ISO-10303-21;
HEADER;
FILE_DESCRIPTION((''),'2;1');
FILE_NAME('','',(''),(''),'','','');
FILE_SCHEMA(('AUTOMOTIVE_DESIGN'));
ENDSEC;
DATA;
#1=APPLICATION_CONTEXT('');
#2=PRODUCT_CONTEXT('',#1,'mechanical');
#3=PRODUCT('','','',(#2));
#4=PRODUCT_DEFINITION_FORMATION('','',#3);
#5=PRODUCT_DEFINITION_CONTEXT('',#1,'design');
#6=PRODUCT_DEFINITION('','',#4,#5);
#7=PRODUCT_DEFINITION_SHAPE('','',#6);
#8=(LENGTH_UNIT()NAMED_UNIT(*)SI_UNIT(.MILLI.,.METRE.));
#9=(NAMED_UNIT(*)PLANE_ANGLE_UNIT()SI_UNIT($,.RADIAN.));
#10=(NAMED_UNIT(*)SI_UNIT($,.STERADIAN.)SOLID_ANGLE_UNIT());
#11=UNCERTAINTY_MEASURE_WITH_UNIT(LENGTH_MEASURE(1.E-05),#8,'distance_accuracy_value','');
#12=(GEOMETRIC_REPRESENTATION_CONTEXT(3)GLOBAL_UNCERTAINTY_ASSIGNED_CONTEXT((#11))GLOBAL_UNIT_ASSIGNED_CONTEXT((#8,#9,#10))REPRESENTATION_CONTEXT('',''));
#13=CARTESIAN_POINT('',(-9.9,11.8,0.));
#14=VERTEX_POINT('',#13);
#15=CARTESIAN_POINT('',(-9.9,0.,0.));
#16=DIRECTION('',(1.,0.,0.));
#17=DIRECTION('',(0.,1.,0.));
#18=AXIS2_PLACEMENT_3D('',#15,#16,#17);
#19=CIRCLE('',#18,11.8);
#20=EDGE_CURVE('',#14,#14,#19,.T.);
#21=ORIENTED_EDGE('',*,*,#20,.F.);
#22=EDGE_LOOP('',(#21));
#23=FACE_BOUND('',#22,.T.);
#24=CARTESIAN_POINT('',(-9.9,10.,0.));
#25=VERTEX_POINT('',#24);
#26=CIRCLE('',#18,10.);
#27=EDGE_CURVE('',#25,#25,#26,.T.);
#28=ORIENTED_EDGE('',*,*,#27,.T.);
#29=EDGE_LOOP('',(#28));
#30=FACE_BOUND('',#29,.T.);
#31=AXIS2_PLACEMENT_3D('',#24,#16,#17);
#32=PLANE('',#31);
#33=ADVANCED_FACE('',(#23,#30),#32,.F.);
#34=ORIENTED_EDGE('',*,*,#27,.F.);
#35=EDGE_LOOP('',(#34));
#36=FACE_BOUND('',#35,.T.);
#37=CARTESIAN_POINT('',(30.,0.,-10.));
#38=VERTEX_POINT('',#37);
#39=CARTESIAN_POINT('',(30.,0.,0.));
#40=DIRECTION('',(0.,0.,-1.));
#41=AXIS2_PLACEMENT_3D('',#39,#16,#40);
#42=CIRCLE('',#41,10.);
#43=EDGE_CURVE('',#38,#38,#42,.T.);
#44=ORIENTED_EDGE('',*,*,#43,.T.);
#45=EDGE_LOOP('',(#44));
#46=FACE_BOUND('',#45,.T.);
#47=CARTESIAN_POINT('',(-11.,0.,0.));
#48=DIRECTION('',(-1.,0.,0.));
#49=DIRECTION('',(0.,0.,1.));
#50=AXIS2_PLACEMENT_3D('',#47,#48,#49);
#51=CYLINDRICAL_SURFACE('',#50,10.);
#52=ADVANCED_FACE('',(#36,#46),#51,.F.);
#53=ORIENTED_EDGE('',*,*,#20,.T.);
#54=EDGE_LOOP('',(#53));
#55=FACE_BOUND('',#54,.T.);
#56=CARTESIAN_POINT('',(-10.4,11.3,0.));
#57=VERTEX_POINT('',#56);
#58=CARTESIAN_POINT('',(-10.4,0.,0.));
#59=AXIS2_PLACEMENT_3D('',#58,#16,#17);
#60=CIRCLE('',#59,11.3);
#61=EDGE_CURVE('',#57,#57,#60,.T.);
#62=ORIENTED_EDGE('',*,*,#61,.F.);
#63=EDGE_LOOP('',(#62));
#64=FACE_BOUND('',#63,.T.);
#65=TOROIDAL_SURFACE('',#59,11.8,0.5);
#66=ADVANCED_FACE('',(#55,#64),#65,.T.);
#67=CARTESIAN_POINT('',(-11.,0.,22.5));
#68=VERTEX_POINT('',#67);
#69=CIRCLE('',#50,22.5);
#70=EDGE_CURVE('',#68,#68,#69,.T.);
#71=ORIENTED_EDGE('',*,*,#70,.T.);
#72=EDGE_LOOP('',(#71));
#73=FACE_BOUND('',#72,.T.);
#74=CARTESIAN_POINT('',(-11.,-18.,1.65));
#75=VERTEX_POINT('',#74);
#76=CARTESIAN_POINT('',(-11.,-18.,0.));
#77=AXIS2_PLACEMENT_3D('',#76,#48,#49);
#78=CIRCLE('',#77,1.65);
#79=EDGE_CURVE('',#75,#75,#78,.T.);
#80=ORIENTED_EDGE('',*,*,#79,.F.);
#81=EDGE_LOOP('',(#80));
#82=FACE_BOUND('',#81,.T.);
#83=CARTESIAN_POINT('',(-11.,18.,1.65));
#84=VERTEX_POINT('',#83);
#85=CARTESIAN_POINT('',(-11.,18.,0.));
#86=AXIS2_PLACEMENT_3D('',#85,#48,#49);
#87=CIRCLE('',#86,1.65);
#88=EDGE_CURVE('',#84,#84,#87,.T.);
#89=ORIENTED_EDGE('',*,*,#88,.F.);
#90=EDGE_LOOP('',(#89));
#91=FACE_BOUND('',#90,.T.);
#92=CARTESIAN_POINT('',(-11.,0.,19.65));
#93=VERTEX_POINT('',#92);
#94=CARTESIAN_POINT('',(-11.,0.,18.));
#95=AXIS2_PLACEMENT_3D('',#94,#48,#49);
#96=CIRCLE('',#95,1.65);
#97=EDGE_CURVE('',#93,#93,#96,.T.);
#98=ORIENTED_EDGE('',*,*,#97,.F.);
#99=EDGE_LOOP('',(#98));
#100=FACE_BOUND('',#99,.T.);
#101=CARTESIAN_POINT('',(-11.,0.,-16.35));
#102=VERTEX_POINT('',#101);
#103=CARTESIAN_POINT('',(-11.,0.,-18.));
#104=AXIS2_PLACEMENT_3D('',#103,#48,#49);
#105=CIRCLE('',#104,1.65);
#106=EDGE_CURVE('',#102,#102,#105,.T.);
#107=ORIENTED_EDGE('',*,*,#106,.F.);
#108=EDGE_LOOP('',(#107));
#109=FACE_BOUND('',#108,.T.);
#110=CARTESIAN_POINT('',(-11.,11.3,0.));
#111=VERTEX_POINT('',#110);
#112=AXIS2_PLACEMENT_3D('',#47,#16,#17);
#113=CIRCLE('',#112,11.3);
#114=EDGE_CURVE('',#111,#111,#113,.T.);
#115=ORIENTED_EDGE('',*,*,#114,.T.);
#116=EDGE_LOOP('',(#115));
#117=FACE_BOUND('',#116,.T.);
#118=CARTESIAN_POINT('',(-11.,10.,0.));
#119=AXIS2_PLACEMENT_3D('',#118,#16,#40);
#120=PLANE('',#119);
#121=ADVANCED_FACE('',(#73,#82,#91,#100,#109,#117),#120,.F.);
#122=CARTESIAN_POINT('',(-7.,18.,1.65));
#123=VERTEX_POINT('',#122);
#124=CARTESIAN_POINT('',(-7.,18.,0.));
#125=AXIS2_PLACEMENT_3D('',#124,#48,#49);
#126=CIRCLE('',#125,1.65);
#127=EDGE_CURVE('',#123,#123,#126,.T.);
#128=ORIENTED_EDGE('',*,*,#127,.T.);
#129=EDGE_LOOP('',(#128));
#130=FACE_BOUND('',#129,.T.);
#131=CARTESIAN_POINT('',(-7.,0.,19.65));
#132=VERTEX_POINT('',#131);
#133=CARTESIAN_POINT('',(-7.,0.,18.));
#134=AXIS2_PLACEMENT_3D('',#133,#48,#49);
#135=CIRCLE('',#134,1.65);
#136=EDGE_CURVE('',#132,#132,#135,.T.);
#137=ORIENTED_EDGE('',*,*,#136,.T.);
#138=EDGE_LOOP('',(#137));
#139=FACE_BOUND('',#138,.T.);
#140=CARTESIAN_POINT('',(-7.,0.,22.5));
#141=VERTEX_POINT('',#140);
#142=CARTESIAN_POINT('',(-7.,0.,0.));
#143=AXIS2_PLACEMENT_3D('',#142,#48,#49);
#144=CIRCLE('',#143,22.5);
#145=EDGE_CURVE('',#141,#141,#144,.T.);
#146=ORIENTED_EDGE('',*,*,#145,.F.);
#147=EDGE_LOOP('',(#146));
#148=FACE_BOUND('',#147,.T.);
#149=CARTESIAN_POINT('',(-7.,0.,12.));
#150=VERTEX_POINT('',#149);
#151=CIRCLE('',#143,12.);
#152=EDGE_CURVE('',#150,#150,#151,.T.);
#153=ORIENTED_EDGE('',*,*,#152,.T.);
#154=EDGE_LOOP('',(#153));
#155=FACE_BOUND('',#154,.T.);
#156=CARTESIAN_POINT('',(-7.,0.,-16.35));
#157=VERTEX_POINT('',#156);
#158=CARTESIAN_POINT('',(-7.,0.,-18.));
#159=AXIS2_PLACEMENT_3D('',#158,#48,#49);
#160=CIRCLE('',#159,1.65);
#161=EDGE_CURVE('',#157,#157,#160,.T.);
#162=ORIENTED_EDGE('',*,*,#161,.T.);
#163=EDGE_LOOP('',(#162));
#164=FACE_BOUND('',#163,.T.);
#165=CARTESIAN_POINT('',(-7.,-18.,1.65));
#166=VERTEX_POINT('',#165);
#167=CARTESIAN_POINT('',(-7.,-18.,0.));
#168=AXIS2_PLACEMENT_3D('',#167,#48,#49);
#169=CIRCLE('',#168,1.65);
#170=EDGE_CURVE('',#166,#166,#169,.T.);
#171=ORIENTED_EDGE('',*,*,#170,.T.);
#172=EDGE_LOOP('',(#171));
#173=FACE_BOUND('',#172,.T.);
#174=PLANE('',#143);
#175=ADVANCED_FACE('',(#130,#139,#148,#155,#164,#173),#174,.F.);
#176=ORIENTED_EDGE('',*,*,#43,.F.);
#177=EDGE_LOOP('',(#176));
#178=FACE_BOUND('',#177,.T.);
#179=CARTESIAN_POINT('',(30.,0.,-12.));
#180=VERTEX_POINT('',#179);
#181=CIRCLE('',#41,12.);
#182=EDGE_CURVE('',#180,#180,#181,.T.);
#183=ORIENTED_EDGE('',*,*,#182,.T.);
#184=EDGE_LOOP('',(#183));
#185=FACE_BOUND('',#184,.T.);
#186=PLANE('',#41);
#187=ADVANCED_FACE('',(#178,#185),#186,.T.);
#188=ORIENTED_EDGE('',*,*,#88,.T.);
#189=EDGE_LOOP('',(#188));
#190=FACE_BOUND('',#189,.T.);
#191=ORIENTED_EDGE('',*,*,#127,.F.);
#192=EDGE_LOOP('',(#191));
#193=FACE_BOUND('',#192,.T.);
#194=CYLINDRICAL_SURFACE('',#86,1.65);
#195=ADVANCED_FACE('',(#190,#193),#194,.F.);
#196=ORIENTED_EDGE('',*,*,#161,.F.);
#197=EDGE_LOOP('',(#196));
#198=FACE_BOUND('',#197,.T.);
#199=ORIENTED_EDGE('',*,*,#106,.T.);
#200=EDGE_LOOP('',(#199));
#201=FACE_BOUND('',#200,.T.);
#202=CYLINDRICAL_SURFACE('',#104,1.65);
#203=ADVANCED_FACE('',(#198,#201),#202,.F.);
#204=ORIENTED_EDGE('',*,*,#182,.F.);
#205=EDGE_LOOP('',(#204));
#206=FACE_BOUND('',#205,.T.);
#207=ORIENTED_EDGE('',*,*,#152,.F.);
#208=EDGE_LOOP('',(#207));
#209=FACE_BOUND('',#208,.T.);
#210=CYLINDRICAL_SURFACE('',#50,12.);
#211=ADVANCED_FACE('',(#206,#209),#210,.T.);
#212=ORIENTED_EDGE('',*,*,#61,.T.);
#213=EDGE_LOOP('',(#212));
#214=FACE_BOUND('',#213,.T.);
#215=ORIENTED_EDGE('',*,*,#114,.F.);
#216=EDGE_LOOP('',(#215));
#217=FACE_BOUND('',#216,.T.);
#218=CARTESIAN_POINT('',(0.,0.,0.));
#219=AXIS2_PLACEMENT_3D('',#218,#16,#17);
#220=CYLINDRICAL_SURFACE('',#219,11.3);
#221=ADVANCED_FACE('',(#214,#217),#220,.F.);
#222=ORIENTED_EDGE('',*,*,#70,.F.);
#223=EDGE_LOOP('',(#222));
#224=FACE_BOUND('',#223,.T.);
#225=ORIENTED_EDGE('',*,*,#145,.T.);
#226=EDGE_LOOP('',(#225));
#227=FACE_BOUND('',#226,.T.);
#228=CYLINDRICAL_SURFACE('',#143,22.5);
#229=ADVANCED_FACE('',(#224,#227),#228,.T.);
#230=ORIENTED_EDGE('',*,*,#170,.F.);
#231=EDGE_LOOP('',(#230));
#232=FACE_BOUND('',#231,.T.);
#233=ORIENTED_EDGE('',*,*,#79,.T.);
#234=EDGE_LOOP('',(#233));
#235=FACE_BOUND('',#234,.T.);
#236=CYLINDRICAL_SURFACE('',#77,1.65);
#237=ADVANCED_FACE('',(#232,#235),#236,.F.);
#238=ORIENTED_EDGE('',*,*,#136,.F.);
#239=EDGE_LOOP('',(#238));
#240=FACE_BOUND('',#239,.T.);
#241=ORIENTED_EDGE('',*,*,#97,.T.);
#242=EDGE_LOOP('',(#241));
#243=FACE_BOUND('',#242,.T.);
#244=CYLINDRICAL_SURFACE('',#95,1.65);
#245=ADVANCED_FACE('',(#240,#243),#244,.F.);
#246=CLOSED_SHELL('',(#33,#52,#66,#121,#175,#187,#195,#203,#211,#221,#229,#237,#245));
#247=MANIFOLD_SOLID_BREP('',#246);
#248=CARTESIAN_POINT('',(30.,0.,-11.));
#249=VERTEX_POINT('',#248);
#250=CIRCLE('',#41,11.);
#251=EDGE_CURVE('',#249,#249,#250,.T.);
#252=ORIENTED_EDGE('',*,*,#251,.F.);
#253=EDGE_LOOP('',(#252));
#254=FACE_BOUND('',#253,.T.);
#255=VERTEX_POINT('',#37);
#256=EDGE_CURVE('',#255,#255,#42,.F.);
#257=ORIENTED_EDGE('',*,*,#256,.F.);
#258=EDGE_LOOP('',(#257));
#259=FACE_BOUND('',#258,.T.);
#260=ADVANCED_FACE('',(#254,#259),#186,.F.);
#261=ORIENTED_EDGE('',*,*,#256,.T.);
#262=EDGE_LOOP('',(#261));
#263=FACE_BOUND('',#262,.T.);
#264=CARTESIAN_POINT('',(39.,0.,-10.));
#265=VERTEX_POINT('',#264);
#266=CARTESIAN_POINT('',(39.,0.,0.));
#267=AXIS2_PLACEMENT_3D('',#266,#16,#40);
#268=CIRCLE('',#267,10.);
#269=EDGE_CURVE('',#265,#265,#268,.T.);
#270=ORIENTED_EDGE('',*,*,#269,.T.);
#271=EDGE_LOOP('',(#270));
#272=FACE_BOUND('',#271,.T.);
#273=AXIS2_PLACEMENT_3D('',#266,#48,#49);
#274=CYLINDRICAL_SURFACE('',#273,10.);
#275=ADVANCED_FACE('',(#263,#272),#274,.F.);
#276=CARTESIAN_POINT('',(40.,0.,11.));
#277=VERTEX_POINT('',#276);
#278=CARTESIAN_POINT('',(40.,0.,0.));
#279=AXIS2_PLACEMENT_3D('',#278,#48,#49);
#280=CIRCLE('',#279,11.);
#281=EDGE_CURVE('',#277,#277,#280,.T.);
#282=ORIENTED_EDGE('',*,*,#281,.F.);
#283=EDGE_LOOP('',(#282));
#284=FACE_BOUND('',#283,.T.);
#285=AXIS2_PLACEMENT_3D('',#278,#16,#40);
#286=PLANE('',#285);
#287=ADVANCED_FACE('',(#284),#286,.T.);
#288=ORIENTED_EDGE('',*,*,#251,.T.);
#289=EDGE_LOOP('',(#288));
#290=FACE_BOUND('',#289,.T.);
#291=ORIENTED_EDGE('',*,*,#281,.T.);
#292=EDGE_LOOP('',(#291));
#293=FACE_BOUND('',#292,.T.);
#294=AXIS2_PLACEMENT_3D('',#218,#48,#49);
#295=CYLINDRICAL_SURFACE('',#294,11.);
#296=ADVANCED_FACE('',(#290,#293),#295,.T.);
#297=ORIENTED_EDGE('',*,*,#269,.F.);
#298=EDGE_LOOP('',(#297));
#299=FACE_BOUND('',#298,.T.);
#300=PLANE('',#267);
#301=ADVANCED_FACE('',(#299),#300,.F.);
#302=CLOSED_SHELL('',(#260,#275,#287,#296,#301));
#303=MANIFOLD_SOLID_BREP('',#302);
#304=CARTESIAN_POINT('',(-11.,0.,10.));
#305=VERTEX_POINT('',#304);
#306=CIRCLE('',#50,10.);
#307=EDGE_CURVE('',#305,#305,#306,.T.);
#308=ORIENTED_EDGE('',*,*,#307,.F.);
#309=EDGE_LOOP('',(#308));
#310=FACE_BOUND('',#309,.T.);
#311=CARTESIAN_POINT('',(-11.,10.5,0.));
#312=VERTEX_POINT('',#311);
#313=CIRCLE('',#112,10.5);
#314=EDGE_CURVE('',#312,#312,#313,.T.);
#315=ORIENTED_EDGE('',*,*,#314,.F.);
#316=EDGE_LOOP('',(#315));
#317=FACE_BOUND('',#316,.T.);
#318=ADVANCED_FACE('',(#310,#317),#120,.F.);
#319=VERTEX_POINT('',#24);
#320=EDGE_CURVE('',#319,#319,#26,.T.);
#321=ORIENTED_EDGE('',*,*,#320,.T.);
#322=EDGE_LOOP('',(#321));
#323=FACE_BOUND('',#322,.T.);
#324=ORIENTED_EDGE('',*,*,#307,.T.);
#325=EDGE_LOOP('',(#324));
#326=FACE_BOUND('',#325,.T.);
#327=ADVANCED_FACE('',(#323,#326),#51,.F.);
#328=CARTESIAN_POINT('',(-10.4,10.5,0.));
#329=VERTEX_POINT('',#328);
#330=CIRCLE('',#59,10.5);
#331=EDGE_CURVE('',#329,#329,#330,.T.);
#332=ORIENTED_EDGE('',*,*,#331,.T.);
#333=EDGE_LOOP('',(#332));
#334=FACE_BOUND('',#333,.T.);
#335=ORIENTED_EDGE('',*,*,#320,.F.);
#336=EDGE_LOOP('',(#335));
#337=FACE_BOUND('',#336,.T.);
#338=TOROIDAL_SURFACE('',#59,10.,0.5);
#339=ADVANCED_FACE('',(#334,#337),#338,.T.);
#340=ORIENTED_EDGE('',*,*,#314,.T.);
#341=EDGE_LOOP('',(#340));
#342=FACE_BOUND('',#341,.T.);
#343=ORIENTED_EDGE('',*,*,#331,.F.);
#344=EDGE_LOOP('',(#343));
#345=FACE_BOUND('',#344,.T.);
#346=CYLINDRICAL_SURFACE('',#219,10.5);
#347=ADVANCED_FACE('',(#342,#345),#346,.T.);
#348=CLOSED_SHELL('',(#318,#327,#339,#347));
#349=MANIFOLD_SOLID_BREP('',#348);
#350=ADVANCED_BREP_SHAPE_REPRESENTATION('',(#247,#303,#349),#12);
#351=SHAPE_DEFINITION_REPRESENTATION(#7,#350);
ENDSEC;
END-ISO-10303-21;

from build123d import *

# Parameters (mm, degrees)
SKETCH_1_W                  = 31
SKETCH_1_H                  = 2
SKETCH_6_R                  = 22.5
SKETCH_6_R_2                = 12
EXTRUDE_1_DEPTH             = 4
SKETCH_8_R                  = 12
SKETCH_8_R_2                = 10
EXTRUDE_3_DEPTH             = 10
SKETCH_9_R                  = 12
EXTRUDE_5_DEPTH             = 10
SKETCH_18_R                 = 10
CUT_EXTRUDE_1_DEPTH         = 46
SKETCH_17_W                 = 1.65
SKETCH_17_H                 = 51
HOLE_WIZARD_M4_1_AT_2_COUNT = 2
HOLE_WIZARD_M4_1_AT_2_PITCH = 25.455844123
HOLE_WIZARD_M4_1_AT_3_COUNT = 2
HOLE_WIZARD_M4_1_AT_3_PITCH = 36
HOLE_WIZARD_M4_1_AT_4_COUNT = 2
HOLE_WIZARD_M4_1_AT_4_PITCH = 25.455844123
SKETCH_12_W                 = 1
SKETCH_12_H                 = 2
SKETCH_19_R                 = 12
SKETCH_19_R_2               = 11
CUT_EXTRUDE_3_DEPTH         = 10


with BuildPart() as part:
    # 草图1 → 旋转1 (revolve)
    with BuildSketch(Plane.XY, mode=Mode.PRIVATE) as revolve_1_sk:
        with Locations((4.5, 11)):
            Rectangle(SKETCH_1_W, SKETCH_1_H)
    revolve(revolve_1_sk.sketch.rotate(Axis((-11, 0, 0), (1, 0, 0)), 90), axis=Axis((-11, 0, 0), (1, 0, 0)))

    # 草图5 → 切除-旋转1 (revolve, cut)
    with BuildSketch(Plane.XY):
        with BuildLine():
            Line((-11, 10.5), (-10.4, 10.5))
            ThreePointArc((-10.4, 10.5), (-10.046446609, 10.353553391), (-9.9, 10))
            Line((-9.9, 10), (-9.9, 11.8))
            ThreePointArc((-9.9, 11.8), (-10.046446609, 11.446446609), (-10.4, 11.3))
            Line((-10.4, 11.3), (-11, 11.3))
            Line((-11, 11.3), (-11, 10.5))
        make_face()
    revolve(axis=Axis((0, 0, 0), (-1, 0, 0)), mode=Mode.SUBTRACT)


with BuildPart() as cut_revolve_1_piece_1:
    # of the separate pieces the step leaves, piece 1, a body of its own (cut_revolve_1_pieces)
    add(part.part.solids().sort_by_distance((20, 0, 10))[0])

    # 草图6 → 凸台-拉伸1 (add)
    with BuildSketch(Plane.ZY.offset(11)):
        Circle(SKETCH_6_R)
        Circle(SKETCH_6_R_2, mode=Mode.SUBTRACT)
    extrude(amount=-EXTRUDE_1_DEPTH)

    # 草图8 → 凸台-拉伸3 (add)
    with BuildSketch(Plane(origin=(20, 0, 0), x_dir=(0, 0, -1), z_dir=(1, 0, 0))):
        with Locations(Location((0, 0, 0), (0, 0, 180))):
            Circle(SKETCH_8_R)
        with Locations(Location((0, 0, 0), (0, 0, 90))):
            Circle(SKETCH_8_R_2, mode=Mode.SUBTRACT)
    extrude(amount=EXTRUDE_3_DEPTH)

    # 草图17 → M4 螺纹孔1 (revolve, cut)
    with BuildSketch(Plane(origin=(-11, 18, 0), x_dir=(0, 0, 1), z_dir=(0, 1, 0))):
        with Locations((0.825, 25.5)):
            Rectangle(SKETCH_17_W, SKETCH_17_H)
    hole_wizard_m4_1 = revolve(axis=Axis((-17.35, 18, 0), (1, 0, 0)), mode=Mode.SUBTRACT)

    # M4 螺纹孔1 at 2: M4 螺纹孔1 ×2
    with Locations(*[Vector(0, -0.7071067811865476, 0.7071067811865476) * (i * HOLE_WIZARD_M4_1_AT_2_PITCH) for i in range(1, HOLE_WIZARD_M4_1_AT_2_COUNT)]):
        add(hole_wizard_m4_1, mode=Mode.SUBTRACT)

    # M4 螺纹孔1 at 3: M4 螺纹孔1 ×2
    with Locations(*[(0, -i * HOLE_WIZARD_M4_1_AT_3_PITCH, 0) for i in range(1, HOLE_WIZARD_M4_1_AT_3_COUNT)]):
        add(hole_wizard_m4_1, mode=Mode.SUBTRACT)

    # M4 螺纹孔1 at 4: M4 螺纹孔1 ×2
    with Locations(*[Vector(0, -0.7071067811865477, -0.7071067811865475) * (i * HOLE_WIZARD_M4_1_AT_4_PITCH) for i in range(1, HOLE_WIZARD_M4_1_AT_4_COUNT)]):
        add(hole_wizard_m4_1, mode=Mode.SUBTRACT)


with BuildPart() as cut_revolve_1_piece_2:
    # of the separate pieces the step leaves, piece 2, a body of its own (cut_revolve_1_pieces)
    add(part.part.solids().sort_by_distance((-11, 0, 10))[0])


with BuildPart() as body_3:
    # 草图9 → 凸台-拉伸5 (new body)
    with BuildSketch(Plane(origin=(30, 0, 0), x_dir=(0, 0, -1), z_dir=(1, 0, 0))):
        Circle(SKETCH_9_R)
    extrude(amount=EXTRUDE_5_DEPTH)

    # 草图18 → 切除-拉伸1 (cut)
    with BuildSketch(Plane(origin=(-7, 0, 0), x_dir=(0, 0, -1), z_dir=(1, 0, 0))):
        Circle(SKETCH_18_R)
    extrude(amount=CUT_EXTRUDE_1_DEPTH, mode=Mode.SUBTRACT)

    # 草图12 → 切除-旋转2 (revolve, cut)
    with BuildSketch(Plane.XY, mode=Mode.PRIVATE) as cut_revolve_2_sk:
        with Locations((33.5, -12)):
            Rectangle(SKETCH_12_W, SKETCH_12_H)
        with Locations((31.5, -12)):
            Rectangle(SKETCH_12_W, SKETCH_12_H)
        with Locations((35.5, -12)):
            Rectangle(SKETCH_12_W, SKETCH_12_H)
        with Locations((37.5, -12)):
            Rectangle(SKETCH_12_W, SKETCH_12_H)
        with Locations((39.5, -12)):
            Rectangle(SKETCH_12_W, SKETCH_12_H)
    revolve(cut_revolve_2_sk.sketch.rotate(Axis((0, 0, 0), (1, 0, 0)), 270), axis=Axis((0, 0, 0), (1, 0, 0)), mode=Mode.SUBTRACT)

    # 草图19 → 切除-拉伸3 (cut)
    with BuildSketch(Plane(origin=(40, 0, 0), x_dir=(0, 0, -1), z_dir=(1, 0, 0))):
        with Locations(Location((0, 0, 0), (0, 0, 180))):
            Circle(SKETCH_19_R)
        with Locations(Location((0, 0, 0), (0, 0, 180))):
            Circle(SKETCH_19_R_2, mode=Mode.SUBTRACT)
    extrude(amount=-CUT_EXTRUDE_3_DEPTH, mode=Mode.SUBTRACT)


solid = Compound([cut_revolve_1_piece_1.part, cut_revolve_1_piece_2.part, body_3.part])
